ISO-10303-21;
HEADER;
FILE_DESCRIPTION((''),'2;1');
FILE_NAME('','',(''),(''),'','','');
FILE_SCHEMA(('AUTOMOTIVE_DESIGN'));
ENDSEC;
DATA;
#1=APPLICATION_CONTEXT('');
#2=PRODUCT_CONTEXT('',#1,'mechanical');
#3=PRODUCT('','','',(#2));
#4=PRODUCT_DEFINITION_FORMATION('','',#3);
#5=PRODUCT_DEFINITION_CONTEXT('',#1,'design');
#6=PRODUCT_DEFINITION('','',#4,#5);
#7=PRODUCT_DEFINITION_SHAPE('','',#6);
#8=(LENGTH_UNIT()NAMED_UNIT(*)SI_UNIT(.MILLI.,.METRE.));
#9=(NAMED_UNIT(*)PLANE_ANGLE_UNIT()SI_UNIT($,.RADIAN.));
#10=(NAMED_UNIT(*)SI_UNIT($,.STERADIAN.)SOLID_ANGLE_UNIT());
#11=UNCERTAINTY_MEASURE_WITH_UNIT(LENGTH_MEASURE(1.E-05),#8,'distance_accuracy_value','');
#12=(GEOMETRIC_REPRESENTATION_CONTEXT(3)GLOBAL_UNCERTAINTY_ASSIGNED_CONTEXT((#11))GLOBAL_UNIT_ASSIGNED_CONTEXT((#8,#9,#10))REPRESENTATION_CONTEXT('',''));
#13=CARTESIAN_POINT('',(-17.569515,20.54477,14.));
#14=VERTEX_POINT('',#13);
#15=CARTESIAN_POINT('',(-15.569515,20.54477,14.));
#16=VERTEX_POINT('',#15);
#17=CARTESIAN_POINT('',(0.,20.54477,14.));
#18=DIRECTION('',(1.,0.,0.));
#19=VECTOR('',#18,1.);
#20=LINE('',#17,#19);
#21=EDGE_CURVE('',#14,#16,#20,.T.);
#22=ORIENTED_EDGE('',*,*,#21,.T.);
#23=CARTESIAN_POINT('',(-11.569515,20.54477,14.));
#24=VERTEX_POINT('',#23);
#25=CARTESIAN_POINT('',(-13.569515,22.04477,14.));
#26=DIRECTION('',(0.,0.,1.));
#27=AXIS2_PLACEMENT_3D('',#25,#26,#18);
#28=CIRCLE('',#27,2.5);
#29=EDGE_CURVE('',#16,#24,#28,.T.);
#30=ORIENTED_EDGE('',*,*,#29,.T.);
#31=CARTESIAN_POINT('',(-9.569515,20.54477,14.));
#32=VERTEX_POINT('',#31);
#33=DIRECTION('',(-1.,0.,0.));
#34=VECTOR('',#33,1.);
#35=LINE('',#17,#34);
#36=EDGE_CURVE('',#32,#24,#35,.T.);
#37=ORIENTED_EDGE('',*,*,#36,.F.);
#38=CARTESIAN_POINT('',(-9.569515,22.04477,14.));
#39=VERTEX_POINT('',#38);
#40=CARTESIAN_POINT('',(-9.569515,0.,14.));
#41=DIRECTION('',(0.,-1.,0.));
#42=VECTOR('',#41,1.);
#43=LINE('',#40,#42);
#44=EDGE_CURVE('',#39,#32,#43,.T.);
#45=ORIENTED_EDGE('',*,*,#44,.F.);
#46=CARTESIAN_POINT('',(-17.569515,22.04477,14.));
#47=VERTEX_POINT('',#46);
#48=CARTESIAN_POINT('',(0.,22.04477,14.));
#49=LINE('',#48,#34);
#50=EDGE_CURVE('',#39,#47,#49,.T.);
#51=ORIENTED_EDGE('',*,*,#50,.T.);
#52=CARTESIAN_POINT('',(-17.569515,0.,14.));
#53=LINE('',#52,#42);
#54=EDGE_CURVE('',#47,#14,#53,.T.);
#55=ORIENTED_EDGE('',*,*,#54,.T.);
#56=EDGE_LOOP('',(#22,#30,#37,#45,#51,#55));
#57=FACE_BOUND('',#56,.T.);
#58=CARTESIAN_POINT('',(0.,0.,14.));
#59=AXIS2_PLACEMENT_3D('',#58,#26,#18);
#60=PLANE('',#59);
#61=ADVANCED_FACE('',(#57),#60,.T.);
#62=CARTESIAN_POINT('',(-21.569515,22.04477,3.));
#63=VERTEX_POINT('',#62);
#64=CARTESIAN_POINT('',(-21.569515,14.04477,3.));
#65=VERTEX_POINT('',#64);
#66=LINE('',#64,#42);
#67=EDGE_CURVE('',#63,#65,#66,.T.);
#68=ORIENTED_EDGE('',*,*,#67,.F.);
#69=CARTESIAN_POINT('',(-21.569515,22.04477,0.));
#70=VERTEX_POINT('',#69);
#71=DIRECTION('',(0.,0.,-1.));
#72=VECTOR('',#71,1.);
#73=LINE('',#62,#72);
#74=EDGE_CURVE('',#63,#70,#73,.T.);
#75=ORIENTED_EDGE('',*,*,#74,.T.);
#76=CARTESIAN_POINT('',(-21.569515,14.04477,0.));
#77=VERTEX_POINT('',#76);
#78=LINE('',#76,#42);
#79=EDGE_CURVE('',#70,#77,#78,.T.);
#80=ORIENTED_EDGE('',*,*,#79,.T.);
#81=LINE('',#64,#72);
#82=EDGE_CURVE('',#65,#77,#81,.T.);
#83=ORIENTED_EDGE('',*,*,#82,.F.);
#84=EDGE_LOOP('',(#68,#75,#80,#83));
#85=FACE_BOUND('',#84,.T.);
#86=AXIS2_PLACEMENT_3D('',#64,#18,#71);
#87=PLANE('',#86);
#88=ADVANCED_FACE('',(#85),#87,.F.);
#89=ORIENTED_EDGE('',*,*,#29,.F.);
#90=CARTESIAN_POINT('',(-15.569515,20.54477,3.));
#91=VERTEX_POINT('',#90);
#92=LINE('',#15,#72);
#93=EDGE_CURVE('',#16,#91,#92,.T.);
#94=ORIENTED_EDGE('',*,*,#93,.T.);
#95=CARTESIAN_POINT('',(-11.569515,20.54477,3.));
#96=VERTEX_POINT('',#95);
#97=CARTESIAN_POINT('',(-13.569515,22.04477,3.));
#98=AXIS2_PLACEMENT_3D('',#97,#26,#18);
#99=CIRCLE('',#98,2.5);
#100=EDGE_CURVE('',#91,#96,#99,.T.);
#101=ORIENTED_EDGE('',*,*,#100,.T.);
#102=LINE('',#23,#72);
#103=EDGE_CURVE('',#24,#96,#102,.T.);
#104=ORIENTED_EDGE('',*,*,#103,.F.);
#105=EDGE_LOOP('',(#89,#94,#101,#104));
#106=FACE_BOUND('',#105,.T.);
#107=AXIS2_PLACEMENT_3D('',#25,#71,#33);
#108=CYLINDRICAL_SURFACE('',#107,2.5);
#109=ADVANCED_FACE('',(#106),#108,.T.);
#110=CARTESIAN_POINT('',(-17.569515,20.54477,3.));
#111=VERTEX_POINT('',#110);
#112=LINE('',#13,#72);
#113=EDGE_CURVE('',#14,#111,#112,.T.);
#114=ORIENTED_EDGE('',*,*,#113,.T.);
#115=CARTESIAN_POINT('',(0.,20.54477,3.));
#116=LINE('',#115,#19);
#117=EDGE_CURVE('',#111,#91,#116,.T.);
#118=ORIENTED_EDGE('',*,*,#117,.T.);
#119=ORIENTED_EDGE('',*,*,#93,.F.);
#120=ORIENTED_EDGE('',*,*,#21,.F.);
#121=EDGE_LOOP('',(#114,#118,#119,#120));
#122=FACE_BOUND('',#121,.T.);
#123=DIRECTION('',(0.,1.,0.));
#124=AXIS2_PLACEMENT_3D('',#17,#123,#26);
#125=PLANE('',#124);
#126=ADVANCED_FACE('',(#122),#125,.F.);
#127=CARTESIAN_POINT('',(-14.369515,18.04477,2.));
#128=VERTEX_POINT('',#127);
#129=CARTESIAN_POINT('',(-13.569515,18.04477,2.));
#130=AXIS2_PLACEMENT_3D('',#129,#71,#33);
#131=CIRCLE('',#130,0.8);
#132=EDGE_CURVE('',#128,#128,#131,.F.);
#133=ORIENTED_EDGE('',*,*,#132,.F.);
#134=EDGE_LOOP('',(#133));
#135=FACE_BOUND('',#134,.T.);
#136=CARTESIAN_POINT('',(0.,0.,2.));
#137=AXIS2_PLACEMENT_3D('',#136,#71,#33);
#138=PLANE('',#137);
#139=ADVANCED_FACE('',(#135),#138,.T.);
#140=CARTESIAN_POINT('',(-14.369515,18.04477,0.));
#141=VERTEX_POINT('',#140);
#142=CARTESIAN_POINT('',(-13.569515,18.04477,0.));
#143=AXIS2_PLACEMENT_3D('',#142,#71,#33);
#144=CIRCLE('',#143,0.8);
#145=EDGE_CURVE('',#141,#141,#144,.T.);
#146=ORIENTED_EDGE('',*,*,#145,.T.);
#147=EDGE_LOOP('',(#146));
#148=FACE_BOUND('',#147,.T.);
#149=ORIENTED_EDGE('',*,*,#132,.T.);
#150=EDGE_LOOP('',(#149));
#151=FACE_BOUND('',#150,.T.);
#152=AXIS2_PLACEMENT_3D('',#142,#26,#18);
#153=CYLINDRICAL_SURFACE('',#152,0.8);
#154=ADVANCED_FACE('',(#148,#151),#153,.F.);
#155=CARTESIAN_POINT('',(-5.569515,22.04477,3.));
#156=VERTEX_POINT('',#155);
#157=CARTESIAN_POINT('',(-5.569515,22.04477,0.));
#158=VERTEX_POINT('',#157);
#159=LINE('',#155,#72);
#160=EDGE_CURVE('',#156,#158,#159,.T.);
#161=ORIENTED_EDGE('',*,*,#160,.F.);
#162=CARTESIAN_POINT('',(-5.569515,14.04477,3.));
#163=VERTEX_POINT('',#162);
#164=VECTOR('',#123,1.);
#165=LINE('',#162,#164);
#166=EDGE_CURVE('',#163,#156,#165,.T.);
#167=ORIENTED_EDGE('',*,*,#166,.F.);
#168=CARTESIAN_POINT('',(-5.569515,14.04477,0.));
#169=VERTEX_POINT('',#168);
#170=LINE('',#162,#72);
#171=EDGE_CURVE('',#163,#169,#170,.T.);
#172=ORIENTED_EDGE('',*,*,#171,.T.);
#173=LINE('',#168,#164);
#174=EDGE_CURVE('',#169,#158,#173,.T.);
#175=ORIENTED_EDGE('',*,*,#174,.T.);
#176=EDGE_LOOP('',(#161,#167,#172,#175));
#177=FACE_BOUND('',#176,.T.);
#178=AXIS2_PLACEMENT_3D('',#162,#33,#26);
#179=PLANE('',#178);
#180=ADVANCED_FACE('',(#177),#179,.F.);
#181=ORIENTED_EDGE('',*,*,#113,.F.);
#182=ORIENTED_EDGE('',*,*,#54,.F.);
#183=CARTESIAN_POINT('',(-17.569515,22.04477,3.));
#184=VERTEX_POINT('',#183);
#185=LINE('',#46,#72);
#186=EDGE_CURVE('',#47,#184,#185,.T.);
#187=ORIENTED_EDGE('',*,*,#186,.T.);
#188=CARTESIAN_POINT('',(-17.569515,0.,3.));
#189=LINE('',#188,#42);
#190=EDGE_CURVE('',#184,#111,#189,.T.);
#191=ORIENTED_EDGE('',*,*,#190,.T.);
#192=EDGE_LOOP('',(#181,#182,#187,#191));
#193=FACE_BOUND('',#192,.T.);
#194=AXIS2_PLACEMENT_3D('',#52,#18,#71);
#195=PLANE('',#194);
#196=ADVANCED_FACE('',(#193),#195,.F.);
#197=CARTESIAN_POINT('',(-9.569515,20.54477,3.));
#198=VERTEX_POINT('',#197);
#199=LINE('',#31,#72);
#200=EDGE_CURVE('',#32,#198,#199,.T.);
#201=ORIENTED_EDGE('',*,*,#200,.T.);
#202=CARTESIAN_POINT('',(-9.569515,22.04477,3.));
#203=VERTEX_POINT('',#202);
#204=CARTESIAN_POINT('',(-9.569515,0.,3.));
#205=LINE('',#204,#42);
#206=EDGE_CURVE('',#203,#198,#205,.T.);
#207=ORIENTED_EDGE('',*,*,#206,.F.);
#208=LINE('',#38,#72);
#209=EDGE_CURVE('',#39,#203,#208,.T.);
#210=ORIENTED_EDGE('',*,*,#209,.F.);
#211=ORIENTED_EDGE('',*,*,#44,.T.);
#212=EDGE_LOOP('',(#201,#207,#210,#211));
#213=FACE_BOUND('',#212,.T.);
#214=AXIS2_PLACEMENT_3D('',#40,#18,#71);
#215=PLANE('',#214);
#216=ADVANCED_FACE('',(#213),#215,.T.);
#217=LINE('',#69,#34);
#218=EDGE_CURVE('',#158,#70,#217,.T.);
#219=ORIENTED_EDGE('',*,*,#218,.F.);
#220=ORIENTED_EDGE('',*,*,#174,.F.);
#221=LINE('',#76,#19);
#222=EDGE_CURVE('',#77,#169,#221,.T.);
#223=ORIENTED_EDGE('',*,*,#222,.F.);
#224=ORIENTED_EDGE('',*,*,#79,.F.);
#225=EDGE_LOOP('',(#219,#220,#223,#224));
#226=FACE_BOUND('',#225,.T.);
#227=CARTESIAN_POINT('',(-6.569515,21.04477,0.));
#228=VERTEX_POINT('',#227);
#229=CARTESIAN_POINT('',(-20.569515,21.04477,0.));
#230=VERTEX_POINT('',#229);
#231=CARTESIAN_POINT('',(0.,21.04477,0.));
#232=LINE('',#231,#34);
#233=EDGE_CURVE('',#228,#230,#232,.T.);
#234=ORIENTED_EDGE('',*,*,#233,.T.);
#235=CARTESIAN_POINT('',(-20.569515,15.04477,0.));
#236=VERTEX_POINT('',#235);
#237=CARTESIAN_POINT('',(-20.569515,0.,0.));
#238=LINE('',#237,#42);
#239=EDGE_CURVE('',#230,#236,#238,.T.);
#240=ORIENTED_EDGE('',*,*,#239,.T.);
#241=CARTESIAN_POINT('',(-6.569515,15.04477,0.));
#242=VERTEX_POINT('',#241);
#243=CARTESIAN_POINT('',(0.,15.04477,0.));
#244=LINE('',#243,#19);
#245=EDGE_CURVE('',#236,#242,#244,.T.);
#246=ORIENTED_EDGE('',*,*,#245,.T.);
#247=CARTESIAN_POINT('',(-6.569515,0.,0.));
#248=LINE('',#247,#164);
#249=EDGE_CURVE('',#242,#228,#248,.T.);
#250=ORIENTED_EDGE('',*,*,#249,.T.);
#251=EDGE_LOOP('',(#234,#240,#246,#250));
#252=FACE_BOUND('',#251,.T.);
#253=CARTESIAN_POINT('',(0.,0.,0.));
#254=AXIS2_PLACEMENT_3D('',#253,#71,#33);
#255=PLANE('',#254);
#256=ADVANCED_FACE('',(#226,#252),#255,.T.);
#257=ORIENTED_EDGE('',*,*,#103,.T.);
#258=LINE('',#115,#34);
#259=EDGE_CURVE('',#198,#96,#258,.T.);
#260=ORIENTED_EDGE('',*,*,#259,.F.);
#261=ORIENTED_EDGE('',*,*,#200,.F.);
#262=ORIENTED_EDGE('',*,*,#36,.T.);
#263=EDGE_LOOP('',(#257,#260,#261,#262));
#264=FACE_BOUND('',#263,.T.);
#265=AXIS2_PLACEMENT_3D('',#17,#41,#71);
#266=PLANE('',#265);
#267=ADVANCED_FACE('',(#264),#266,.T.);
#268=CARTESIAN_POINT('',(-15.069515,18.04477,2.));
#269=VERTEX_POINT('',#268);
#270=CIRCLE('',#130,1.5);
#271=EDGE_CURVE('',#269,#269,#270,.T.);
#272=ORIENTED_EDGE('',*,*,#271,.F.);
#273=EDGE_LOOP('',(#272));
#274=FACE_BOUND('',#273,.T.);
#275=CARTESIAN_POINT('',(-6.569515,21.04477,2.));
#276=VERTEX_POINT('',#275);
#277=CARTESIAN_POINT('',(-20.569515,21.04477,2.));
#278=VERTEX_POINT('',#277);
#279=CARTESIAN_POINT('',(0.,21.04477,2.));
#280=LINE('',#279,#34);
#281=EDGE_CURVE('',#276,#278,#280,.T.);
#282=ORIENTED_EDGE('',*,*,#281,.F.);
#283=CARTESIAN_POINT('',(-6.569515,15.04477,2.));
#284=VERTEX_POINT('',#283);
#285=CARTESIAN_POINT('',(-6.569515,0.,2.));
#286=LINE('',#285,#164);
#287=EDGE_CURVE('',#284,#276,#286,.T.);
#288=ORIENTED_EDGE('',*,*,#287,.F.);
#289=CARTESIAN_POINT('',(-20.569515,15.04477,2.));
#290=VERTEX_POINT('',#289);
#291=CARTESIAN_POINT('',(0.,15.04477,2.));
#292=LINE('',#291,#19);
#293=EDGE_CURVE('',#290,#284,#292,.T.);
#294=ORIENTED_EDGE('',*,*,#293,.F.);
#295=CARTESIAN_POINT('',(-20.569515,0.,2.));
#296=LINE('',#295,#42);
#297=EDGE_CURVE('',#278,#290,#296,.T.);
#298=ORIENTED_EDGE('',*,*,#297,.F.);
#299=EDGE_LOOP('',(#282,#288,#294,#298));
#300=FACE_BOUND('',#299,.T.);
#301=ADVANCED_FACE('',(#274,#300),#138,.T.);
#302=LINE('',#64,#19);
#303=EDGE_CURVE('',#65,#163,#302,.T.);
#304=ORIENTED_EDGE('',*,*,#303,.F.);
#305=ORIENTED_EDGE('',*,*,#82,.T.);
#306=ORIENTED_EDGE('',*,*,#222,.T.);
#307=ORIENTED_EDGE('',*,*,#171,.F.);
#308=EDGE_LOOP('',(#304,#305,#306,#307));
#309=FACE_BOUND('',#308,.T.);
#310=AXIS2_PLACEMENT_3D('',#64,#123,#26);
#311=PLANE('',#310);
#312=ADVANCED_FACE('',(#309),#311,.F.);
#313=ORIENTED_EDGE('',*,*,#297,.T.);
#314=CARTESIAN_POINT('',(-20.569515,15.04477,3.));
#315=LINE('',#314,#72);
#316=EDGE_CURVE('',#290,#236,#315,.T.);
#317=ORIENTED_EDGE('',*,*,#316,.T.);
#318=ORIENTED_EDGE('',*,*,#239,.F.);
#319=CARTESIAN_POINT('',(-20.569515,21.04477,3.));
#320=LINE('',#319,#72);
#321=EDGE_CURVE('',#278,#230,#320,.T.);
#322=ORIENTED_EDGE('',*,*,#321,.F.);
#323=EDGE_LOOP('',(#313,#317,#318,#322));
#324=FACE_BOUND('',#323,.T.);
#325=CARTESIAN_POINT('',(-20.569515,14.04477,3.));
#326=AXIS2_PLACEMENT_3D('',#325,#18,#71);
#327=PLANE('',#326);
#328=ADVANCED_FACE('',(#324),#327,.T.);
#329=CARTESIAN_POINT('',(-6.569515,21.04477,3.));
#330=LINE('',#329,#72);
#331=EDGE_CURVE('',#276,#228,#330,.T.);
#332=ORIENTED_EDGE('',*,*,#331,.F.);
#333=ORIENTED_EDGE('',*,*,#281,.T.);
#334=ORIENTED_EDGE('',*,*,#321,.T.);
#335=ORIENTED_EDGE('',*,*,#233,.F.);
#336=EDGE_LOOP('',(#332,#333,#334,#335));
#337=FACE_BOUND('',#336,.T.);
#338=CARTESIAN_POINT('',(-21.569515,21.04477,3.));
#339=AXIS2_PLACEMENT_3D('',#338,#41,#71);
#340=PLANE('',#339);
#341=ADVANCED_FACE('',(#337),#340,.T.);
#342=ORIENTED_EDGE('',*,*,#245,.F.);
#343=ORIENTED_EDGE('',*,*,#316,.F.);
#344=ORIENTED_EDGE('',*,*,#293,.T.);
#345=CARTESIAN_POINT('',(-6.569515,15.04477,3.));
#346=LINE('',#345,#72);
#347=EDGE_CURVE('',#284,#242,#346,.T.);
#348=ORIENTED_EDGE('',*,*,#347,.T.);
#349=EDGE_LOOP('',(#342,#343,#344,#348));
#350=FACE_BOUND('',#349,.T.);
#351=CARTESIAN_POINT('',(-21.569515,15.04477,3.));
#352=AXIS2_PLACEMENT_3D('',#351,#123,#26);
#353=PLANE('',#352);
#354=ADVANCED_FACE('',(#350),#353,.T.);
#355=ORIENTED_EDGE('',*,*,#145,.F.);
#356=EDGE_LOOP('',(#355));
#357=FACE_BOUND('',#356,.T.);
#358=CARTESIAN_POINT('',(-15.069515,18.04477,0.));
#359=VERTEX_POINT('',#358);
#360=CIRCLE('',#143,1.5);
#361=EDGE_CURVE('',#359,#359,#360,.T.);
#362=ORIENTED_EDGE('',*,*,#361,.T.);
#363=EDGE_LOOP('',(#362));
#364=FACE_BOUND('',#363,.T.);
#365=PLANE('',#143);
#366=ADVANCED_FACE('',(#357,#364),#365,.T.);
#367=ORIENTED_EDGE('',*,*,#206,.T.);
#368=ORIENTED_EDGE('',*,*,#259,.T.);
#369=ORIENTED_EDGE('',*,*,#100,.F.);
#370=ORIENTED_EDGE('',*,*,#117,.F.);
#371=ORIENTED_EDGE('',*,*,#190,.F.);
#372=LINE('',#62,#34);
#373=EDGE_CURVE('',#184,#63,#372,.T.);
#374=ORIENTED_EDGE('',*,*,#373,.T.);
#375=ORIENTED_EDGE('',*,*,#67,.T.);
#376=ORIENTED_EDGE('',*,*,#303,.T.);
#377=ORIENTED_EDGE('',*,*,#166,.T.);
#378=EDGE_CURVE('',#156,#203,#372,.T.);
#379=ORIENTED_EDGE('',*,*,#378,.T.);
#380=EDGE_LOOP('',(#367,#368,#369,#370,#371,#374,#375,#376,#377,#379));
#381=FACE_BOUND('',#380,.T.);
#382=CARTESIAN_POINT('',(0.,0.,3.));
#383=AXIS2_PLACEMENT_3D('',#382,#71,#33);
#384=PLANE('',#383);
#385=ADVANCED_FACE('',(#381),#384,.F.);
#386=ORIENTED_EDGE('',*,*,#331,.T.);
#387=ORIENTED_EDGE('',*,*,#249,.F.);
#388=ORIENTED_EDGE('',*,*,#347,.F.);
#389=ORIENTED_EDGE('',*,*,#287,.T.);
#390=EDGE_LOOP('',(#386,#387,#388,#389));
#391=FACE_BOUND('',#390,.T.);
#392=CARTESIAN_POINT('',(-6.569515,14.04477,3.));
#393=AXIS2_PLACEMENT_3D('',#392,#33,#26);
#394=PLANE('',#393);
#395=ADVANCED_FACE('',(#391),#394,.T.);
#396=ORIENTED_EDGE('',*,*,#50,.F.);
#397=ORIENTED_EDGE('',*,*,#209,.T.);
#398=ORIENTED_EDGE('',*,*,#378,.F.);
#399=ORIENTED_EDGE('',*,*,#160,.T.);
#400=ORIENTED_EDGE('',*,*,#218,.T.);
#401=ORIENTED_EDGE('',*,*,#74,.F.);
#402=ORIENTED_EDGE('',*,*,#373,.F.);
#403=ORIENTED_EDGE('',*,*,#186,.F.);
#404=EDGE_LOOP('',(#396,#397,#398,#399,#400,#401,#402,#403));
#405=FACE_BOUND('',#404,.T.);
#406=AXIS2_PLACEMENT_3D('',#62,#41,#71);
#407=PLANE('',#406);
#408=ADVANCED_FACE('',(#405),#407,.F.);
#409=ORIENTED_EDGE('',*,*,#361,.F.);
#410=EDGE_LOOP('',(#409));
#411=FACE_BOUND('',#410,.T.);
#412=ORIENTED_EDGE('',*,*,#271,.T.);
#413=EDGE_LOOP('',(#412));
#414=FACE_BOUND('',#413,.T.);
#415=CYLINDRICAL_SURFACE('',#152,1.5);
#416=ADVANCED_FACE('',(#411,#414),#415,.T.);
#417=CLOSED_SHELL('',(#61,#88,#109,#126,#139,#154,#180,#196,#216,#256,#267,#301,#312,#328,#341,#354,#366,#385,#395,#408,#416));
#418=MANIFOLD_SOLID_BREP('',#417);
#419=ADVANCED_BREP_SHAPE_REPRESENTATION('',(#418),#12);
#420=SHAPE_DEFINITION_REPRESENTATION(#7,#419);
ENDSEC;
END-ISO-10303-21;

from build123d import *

# Parameters (mm, degrees)
SKETCH1_W           = 16
SKETCH1_H           = 8
BOSS_EXTRUDE1_DEPTH = 3
SHELL3_T            = -1
SKETCH2_R           = 1.5
SKETCH2_R_2         = 0.8
BOSS_EXTRUDE2_DEPTH = 2
BOSS_EXTRUDE3_DEPTH = 11


with BuildPart() as part:
    # Sketch1 → Boss-Extrude1 (new body)
    with BuildSketch(Plane.XY):
        with Locations((-13.569515058, 18.04477027)):
            Rectangle(SKETCH1_W, SKETCH1_H)
    extrude(amount=BOSS_EXTRUDE1_DEPTH)

    # Shell3
    shell3_openings = [part.faces().sort_by_distance(p)[0] for p in [
        (-13.569515058, 18.04477027, 0),
    ]]
    offset(amount=SHELL3_T, openings=shell3_openings, kind=Kind.INTERSECTION)

    # Sketch2 → Boss-Extrude2 (add)
    with BuildSketch(Plane(origin=(0, 0, 2), x_dir=(-1, 0, 0), z_dir=(0, 0, -1))):
        with Locations((13.569515058, 18.04477027)):
            Circle(SKETCH2_R)
        with Locations((13.569515058, 18.04477027)):
            Circle(SKETCH2_R_2, mode=Mode.SUBTRACT)
    extrude(amount=BOSS_EXTRUDE2_DEPTH)

    # Sketch3 → Boss-Extrude3 (add)
    with BuildSketch(Plane.XY.offset(3)):
        with BuildLine():
            Line((-17.569515058, 22.04477027), (-17.569515058, 20.54477027))
            Line((-17.569515058, 20.54477027), (-15.569515058, 20.54477027))
            ThreePointArc((-15.569515058, 20.54477027), (-13.569515058, 19.54477027), (-11.569515058, 20.54477027))
            Line((-11.569515058, 20.54477027), (-9.569515058, 20.54477027))
            Line((-9.569515058, 20.54477027), (-9.569515058, 22.04477027))
            Line((-9.569515058, 22.04477027), (-17.569515058, 22.04477027))
        make_face()
    extrude(amount=BOSS_EXTRUDE3_DEPTH)


solid = part.part
